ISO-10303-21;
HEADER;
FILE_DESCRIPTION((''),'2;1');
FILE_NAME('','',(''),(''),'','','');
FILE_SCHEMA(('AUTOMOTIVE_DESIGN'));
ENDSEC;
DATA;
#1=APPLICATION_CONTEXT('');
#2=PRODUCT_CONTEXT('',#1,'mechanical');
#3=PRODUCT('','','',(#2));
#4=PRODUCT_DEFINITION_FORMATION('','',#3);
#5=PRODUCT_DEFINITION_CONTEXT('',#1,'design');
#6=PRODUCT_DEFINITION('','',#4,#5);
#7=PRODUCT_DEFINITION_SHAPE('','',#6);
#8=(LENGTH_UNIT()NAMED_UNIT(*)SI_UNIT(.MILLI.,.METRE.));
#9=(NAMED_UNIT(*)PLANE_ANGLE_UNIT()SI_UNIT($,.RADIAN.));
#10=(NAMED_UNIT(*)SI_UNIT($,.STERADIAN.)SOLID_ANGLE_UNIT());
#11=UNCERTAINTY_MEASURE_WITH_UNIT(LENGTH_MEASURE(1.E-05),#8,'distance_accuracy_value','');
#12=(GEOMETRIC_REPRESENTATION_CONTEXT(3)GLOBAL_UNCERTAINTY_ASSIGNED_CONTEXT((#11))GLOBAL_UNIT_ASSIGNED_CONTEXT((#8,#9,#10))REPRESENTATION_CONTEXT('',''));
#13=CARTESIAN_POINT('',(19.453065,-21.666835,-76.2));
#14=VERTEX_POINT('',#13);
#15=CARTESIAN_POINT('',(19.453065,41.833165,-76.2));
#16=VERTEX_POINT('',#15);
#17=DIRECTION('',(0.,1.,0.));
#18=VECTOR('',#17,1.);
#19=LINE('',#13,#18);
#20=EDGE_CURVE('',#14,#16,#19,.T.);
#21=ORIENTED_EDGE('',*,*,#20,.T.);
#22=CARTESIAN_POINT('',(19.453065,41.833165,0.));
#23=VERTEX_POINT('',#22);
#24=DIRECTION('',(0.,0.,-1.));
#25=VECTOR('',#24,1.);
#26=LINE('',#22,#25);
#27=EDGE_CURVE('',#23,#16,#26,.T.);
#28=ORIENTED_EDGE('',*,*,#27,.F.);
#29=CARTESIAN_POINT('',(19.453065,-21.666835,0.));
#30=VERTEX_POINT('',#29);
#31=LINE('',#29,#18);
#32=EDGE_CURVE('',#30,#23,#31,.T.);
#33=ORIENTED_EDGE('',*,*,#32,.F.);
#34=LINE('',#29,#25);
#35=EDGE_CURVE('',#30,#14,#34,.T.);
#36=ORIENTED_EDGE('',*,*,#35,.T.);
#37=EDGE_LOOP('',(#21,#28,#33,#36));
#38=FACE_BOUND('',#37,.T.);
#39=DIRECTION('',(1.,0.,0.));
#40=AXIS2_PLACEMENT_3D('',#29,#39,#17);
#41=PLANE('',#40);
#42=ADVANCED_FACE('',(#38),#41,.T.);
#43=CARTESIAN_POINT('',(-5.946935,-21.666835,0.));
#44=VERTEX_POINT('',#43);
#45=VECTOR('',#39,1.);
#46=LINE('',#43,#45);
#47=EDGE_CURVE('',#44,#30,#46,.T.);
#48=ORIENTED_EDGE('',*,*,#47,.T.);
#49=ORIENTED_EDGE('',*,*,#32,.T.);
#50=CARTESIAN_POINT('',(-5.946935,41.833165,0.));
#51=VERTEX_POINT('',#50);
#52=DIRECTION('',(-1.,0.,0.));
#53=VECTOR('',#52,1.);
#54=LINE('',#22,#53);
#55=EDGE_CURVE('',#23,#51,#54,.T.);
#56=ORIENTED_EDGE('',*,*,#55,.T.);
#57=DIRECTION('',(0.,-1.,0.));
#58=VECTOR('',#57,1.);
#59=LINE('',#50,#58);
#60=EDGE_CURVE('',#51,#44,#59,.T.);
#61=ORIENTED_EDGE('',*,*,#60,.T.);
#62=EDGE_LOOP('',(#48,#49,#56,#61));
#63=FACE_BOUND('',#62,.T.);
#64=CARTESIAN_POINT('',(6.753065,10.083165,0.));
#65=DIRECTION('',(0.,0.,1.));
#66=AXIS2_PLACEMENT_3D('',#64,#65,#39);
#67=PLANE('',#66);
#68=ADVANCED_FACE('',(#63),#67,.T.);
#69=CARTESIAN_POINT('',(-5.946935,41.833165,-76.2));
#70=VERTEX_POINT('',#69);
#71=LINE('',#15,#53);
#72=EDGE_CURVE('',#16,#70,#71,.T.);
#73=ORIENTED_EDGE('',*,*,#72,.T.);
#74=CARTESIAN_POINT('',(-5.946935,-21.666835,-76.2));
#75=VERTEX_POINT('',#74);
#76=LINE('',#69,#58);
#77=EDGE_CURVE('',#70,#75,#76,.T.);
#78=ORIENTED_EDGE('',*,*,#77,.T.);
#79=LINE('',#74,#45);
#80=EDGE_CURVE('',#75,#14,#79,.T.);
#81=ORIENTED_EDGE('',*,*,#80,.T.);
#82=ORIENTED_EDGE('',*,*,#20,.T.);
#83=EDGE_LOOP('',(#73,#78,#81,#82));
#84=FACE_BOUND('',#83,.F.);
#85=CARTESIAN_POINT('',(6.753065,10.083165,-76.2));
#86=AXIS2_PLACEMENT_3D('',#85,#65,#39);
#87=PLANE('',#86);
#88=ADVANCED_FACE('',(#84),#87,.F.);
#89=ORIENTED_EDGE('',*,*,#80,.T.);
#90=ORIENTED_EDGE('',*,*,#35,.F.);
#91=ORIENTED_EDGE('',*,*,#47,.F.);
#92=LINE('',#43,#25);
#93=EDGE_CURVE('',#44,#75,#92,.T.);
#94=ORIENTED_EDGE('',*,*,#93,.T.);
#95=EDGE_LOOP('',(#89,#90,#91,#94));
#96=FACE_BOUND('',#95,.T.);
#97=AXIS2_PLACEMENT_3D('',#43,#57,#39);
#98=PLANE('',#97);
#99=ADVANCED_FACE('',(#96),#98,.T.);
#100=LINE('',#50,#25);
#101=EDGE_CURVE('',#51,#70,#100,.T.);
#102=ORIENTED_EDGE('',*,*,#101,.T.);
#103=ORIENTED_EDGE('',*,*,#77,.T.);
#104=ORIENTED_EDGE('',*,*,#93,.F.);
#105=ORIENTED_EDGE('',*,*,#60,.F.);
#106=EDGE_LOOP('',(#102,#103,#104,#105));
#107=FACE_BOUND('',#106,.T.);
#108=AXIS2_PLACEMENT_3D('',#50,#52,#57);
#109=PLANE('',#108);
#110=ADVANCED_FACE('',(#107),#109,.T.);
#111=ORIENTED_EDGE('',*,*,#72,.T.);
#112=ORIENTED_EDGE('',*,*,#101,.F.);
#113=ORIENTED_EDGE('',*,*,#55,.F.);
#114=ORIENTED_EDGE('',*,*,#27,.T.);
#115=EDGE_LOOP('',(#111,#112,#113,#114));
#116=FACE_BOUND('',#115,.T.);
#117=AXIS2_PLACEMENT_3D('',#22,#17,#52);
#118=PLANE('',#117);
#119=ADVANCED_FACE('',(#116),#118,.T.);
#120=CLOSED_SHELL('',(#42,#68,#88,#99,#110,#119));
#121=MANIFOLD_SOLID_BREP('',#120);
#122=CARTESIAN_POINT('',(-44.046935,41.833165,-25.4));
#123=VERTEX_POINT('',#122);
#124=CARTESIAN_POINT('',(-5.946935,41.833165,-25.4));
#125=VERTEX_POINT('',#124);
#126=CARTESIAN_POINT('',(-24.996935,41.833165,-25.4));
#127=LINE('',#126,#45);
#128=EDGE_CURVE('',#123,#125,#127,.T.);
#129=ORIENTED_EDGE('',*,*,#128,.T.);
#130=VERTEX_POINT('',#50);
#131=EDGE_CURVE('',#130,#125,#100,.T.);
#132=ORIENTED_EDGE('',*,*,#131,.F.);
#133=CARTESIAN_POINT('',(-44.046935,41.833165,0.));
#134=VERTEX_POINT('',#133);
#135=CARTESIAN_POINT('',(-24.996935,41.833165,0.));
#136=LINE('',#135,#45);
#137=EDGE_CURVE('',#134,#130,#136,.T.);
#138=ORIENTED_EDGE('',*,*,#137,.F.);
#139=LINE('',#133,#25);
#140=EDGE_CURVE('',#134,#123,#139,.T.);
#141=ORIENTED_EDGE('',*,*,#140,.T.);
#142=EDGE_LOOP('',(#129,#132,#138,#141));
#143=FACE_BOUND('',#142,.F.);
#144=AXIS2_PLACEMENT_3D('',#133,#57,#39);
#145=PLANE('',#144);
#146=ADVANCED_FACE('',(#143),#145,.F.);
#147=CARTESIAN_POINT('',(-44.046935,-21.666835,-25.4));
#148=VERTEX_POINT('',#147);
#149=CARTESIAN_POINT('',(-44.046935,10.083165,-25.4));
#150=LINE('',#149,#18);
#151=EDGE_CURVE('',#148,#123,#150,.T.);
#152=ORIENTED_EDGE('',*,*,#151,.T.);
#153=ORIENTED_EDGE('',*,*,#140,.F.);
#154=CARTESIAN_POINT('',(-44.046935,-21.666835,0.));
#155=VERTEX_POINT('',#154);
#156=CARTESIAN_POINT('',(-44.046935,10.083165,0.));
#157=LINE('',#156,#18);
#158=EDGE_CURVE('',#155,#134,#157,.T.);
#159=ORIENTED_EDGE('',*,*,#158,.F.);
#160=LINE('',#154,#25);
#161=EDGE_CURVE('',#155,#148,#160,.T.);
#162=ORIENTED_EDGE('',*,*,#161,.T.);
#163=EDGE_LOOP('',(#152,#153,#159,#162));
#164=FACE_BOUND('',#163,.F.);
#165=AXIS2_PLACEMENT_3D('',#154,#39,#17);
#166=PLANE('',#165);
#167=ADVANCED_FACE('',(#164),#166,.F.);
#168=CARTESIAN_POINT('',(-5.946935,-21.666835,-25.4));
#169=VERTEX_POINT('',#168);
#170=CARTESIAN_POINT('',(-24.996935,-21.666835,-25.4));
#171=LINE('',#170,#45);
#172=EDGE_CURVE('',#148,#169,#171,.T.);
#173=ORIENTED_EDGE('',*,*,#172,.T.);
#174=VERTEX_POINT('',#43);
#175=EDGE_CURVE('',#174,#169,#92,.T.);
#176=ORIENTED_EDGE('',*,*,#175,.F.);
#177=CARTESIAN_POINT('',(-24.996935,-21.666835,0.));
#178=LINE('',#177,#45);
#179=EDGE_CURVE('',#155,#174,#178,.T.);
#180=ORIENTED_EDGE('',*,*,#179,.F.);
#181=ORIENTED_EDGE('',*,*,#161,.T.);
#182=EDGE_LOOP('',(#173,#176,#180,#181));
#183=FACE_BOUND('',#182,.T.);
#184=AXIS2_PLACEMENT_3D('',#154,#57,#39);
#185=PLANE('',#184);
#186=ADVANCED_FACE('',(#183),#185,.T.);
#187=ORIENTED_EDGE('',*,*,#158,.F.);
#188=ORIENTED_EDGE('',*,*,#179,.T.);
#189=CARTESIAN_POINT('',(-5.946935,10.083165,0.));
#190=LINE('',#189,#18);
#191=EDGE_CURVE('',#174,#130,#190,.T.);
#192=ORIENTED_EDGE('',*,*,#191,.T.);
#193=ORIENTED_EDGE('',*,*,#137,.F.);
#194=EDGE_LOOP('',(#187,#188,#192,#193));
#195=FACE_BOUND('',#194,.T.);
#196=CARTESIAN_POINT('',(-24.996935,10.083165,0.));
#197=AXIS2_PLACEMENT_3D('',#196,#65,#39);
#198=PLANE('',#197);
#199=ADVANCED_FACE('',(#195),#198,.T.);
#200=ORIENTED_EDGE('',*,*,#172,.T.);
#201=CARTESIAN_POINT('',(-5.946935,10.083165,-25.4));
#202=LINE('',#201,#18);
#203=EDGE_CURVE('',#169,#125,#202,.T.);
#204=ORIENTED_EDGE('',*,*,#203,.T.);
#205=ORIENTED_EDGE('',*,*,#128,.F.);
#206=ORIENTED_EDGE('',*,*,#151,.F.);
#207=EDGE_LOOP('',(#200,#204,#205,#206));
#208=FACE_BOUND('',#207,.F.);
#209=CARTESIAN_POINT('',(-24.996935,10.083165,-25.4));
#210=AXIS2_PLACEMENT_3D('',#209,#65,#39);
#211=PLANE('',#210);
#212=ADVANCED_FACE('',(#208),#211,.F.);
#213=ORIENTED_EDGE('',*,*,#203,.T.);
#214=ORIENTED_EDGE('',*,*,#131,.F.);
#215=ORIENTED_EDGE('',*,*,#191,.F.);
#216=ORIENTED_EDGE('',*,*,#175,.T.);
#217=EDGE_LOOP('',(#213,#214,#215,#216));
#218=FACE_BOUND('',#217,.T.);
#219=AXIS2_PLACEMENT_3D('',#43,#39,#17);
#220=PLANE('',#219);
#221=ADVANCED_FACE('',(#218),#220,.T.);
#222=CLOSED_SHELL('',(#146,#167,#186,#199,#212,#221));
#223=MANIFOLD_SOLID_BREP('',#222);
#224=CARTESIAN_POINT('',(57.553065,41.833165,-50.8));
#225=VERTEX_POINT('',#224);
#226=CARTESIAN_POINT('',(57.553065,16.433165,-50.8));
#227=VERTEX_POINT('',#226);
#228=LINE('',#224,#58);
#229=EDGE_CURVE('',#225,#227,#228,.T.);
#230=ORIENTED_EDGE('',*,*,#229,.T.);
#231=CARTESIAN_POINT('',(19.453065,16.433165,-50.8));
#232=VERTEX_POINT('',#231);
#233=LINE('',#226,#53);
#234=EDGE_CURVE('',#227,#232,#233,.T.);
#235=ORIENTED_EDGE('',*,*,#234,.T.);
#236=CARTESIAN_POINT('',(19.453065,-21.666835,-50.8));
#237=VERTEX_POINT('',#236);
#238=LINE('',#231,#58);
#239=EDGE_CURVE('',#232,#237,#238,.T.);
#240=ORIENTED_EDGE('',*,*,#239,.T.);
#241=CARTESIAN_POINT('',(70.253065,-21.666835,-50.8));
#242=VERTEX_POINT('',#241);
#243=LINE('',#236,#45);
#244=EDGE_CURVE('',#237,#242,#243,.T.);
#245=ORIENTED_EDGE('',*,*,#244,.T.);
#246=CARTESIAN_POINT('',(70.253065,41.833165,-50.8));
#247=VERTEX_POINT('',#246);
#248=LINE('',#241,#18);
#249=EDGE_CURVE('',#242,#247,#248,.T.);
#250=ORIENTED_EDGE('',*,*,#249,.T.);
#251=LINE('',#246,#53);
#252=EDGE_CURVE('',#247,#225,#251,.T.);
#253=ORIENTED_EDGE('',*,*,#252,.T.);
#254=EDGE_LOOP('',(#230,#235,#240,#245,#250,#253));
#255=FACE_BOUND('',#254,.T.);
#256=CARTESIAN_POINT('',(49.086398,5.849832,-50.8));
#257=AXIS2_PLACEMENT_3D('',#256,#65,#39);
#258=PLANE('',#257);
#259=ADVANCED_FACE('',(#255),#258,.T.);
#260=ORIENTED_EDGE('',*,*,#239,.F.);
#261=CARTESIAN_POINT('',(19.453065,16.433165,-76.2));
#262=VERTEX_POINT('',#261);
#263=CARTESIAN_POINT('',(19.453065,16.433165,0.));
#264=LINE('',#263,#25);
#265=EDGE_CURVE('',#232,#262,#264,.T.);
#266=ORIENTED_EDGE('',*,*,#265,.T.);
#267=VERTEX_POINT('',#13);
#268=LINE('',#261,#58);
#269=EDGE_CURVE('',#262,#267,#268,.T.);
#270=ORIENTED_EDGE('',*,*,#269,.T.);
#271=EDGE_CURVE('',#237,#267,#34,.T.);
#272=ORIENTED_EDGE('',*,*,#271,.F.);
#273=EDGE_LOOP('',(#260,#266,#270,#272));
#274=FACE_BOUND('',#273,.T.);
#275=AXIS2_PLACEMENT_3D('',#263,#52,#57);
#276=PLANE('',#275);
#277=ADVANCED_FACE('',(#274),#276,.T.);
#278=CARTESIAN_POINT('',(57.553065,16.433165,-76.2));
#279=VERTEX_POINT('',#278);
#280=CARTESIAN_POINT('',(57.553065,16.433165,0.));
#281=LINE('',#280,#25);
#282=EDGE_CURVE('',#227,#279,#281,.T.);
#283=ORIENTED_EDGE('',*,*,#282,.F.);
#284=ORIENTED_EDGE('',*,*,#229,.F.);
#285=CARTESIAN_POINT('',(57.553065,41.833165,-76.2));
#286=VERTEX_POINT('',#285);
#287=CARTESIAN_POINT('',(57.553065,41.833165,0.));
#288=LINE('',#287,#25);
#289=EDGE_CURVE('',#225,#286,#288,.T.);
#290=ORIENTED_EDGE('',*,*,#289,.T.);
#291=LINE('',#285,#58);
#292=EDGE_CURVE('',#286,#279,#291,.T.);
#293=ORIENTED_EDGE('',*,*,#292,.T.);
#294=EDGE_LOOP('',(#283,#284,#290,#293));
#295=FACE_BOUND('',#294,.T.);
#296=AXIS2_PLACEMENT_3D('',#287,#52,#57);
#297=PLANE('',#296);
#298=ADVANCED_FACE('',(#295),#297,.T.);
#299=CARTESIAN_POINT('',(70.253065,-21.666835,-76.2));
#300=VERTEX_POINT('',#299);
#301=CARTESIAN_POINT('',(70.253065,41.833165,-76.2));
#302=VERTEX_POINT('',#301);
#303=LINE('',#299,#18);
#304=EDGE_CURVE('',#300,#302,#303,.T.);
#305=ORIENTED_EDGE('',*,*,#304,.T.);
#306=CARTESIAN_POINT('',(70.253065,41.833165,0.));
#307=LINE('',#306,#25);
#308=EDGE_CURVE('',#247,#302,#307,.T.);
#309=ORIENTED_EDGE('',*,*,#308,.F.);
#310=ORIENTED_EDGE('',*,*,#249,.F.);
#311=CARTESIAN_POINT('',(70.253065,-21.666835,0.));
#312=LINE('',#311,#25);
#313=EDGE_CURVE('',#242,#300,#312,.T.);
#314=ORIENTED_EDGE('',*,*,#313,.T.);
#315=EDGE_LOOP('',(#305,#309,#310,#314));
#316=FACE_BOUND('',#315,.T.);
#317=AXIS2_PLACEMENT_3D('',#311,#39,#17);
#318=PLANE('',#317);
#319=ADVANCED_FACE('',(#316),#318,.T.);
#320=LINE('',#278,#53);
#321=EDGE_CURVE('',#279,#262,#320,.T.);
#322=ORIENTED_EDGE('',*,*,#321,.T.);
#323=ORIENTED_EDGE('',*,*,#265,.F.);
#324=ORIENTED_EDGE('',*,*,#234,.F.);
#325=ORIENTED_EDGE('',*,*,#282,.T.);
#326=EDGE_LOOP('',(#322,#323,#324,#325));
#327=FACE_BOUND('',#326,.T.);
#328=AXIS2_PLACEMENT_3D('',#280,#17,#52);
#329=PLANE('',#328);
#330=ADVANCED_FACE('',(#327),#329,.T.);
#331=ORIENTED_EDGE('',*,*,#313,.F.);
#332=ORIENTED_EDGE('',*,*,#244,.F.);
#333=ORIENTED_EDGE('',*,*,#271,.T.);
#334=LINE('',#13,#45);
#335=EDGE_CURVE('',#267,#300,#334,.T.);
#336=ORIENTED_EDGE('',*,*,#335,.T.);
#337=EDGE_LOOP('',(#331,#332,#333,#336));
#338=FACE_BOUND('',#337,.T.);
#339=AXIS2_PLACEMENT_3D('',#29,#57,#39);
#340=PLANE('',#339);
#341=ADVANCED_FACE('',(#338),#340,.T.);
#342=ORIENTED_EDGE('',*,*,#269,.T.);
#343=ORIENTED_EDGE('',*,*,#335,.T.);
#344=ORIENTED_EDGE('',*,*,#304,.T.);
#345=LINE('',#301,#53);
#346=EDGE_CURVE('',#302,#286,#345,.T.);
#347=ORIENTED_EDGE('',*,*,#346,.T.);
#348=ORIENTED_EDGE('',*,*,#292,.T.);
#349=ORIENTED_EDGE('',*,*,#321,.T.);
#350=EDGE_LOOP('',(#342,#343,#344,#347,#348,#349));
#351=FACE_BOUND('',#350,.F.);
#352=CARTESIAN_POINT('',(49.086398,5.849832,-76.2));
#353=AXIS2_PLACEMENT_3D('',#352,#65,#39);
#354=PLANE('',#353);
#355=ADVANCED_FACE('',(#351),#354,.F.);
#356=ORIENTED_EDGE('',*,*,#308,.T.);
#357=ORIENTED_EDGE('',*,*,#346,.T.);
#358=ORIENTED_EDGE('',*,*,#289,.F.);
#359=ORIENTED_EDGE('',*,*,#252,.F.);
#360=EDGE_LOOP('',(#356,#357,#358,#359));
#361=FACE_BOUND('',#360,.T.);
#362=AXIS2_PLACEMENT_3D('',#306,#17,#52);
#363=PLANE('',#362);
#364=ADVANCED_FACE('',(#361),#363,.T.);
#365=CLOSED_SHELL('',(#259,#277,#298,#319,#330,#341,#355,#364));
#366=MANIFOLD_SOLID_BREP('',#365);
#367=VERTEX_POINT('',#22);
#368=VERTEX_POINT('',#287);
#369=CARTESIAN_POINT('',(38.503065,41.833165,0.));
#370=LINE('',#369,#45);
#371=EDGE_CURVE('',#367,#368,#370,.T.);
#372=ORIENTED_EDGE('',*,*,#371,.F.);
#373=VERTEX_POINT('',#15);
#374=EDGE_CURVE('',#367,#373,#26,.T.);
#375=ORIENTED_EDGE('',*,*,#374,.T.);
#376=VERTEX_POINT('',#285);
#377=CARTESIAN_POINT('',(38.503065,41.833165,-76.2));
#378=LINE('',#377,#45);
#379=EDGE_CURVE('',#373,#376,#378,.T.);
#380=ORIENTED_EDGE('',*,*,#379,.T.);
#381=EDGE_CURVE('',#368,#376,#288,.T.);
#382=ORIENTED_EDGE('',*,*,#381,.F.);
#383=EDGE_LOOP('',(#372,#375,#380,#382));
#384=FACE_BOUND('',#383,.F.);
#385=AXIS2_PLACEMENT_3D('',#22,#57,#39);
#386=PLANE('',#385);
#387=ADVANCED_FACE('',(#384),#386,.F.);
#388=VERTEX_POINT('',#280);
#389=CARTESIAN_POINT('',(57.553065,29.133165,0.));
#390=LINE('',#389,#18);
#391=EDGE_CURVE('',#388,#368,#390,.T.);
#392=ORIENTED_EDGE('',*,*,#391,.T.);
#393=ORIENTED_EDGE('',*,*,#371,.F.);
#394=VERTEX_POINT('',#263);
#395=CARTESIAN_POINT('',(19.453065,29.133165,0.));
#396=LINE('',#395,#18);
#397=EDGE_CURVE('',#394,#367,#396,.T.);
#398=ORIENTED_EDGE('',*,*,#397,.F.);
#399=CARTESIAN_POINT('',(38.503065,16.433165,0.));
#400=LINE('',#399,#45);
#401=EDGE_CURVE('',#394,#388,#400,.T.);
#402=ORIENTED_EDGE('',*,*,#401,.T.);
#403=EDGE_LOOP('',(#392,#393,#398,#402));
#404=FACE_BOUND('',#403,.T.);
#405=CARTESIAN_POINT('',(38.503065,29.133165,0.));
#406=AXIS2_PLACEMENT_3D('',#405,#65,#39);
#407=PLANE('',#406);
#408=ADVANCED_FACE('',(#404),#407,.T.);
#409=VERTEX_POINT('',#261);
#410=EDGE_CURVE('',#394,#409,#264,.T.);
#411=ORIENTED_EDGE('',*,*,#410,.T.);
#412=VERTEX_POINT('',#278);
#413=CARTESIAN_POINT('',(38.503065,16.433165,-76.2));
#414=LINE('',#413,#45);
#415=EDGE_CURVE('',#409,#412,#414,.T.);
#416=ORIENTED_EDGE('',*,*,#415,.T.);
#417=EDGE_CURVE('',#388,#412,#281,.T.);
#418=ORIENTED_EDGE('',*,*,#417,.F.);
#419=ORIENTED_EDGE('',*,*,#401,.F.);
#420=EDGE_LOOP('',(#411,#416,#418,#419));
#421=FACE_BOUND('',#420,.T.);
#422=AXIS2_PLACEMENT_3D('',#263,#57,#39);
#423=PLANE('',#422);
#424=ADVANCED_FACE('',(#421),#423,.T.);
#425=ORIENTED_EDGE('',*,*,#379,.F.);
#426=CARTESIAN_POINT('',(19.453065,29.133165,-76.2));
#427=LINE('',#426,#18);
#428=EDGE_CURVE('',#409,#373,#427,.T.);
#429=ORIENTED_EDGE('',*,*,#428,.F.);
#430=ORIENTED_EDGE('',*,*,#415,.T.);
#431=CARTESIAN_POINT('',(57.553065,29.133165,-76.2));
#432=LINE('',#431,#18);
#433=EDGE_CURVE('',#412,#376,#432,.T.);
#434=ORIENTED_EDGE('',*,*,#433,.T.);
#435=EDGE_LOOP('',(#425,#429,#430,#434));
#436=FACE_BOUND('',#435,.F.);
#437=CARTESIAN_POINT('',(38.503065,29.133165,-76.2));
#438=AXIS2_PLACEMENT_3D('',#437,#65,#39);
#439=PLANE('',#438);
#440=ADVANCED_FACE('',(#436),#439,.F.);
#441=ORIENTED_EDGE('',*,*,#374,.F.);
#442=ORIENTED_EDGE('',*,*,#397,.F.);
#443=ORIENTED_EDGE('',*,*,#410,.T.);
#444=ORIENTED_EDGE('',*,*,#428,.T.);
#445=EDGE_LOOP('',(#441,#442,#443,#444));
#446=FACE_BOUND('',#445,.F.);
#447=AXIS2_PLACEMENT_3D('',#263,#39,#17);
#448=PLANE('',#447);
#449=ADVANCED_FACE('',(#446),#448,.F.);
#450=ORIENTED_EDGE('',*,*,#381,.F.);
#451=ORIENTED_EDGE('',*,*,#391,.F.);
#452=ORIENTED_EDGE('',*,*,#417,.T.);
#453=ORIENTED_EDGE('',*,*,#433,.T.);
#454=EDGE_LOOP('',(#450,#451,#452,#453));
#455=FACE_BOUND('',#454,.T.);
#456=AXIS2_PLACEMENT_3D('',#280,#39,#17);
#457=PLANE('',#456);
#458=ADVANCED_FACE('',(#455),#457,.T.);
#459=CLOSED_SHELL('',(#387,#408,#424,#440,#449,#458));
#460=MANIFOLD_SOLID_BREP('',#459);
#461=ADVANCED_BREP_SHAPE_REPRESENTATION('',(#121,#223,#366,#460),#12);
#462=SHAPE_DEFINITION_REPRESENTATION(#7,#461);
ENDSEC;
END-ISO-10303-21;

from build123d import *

# Parameters (mm, degrees)
F0_W     = 38.1
F0_H     = 63.5
F1_DEPTH = 25.4
F0_H_2   = 25.4
F2_DEPTH = 76.2
F3_DEPTH = 76.2
F4_DEPTH = 76.2
F5_DEPTH = 50.8


with BuildPart() as f1:
    # F0 (on Top) → F1 (new body)
    with BuildSketch(Plane.XY):
        with Locations((-24.9969350107, 10.0831652018)):
            Rectangle(F0_W, F0_H)
    extrude(amount=-F1_DEPTH)


with BuildPart() as f2:
    # F0 (on Top) → F2 (new body)
    with BuildSketch(Plane.XY):
        with Locations((38.5030649893, 29.1331652018)):
            Rectangle(F0_W, F0_H_2)
    extrude(amount=-F2_DEPTH)


with BuildPart() as f3:
    # F0 (on Top) → F3 (new body)
    with BuildSketch(Plane.XY):
        Polygon((19.4530649893, 41.8331652018), (-5.9469350107, 41.8331652018), (-5.9469350107, -21.6668347982), (19.4530649893, -21.6668347982), (19.4530649893, 16.4331652018), align=None)
    extrude(amount=-F3_DEPTH)


with BuildPart() as f4:
    # F0 (on Top) → F4 (new body)
    with BuildSketch(Plane.XY):
        Polygon((70.2530649893, 41.8331652018), (57.5530649893, 41.8331652018), (57.5530649893, 16.4331652018), (19.4530649893, 16.4331652018), (19.4530649893, -21.6668347982), (70.2530649893, -21.6668347982), (70.2530649893, 16.4331652018), align=None)
    extrude(amount=-F4_DEPTH)

    # F0 (on Top) → F5 (cut)
    with BuildSketch(Plane.XY):
        Polygon((70.2530649893, 41.8331652018), (57.5530649893, 41.8331652018), (57.5530649893, 16.4331652018), (19.4530649893, 16.4331652018), (19.4530649893, -21.6668347982), (70.2530649893, -21.6668347982), (70.2530649893, 16.4331652018), align=None)
    extrude(amount=-F5_DEPTH, mode=Mode.SUBTRACT)


solid = Compound([f1.part, f2.part, f3.part, f4.part])
